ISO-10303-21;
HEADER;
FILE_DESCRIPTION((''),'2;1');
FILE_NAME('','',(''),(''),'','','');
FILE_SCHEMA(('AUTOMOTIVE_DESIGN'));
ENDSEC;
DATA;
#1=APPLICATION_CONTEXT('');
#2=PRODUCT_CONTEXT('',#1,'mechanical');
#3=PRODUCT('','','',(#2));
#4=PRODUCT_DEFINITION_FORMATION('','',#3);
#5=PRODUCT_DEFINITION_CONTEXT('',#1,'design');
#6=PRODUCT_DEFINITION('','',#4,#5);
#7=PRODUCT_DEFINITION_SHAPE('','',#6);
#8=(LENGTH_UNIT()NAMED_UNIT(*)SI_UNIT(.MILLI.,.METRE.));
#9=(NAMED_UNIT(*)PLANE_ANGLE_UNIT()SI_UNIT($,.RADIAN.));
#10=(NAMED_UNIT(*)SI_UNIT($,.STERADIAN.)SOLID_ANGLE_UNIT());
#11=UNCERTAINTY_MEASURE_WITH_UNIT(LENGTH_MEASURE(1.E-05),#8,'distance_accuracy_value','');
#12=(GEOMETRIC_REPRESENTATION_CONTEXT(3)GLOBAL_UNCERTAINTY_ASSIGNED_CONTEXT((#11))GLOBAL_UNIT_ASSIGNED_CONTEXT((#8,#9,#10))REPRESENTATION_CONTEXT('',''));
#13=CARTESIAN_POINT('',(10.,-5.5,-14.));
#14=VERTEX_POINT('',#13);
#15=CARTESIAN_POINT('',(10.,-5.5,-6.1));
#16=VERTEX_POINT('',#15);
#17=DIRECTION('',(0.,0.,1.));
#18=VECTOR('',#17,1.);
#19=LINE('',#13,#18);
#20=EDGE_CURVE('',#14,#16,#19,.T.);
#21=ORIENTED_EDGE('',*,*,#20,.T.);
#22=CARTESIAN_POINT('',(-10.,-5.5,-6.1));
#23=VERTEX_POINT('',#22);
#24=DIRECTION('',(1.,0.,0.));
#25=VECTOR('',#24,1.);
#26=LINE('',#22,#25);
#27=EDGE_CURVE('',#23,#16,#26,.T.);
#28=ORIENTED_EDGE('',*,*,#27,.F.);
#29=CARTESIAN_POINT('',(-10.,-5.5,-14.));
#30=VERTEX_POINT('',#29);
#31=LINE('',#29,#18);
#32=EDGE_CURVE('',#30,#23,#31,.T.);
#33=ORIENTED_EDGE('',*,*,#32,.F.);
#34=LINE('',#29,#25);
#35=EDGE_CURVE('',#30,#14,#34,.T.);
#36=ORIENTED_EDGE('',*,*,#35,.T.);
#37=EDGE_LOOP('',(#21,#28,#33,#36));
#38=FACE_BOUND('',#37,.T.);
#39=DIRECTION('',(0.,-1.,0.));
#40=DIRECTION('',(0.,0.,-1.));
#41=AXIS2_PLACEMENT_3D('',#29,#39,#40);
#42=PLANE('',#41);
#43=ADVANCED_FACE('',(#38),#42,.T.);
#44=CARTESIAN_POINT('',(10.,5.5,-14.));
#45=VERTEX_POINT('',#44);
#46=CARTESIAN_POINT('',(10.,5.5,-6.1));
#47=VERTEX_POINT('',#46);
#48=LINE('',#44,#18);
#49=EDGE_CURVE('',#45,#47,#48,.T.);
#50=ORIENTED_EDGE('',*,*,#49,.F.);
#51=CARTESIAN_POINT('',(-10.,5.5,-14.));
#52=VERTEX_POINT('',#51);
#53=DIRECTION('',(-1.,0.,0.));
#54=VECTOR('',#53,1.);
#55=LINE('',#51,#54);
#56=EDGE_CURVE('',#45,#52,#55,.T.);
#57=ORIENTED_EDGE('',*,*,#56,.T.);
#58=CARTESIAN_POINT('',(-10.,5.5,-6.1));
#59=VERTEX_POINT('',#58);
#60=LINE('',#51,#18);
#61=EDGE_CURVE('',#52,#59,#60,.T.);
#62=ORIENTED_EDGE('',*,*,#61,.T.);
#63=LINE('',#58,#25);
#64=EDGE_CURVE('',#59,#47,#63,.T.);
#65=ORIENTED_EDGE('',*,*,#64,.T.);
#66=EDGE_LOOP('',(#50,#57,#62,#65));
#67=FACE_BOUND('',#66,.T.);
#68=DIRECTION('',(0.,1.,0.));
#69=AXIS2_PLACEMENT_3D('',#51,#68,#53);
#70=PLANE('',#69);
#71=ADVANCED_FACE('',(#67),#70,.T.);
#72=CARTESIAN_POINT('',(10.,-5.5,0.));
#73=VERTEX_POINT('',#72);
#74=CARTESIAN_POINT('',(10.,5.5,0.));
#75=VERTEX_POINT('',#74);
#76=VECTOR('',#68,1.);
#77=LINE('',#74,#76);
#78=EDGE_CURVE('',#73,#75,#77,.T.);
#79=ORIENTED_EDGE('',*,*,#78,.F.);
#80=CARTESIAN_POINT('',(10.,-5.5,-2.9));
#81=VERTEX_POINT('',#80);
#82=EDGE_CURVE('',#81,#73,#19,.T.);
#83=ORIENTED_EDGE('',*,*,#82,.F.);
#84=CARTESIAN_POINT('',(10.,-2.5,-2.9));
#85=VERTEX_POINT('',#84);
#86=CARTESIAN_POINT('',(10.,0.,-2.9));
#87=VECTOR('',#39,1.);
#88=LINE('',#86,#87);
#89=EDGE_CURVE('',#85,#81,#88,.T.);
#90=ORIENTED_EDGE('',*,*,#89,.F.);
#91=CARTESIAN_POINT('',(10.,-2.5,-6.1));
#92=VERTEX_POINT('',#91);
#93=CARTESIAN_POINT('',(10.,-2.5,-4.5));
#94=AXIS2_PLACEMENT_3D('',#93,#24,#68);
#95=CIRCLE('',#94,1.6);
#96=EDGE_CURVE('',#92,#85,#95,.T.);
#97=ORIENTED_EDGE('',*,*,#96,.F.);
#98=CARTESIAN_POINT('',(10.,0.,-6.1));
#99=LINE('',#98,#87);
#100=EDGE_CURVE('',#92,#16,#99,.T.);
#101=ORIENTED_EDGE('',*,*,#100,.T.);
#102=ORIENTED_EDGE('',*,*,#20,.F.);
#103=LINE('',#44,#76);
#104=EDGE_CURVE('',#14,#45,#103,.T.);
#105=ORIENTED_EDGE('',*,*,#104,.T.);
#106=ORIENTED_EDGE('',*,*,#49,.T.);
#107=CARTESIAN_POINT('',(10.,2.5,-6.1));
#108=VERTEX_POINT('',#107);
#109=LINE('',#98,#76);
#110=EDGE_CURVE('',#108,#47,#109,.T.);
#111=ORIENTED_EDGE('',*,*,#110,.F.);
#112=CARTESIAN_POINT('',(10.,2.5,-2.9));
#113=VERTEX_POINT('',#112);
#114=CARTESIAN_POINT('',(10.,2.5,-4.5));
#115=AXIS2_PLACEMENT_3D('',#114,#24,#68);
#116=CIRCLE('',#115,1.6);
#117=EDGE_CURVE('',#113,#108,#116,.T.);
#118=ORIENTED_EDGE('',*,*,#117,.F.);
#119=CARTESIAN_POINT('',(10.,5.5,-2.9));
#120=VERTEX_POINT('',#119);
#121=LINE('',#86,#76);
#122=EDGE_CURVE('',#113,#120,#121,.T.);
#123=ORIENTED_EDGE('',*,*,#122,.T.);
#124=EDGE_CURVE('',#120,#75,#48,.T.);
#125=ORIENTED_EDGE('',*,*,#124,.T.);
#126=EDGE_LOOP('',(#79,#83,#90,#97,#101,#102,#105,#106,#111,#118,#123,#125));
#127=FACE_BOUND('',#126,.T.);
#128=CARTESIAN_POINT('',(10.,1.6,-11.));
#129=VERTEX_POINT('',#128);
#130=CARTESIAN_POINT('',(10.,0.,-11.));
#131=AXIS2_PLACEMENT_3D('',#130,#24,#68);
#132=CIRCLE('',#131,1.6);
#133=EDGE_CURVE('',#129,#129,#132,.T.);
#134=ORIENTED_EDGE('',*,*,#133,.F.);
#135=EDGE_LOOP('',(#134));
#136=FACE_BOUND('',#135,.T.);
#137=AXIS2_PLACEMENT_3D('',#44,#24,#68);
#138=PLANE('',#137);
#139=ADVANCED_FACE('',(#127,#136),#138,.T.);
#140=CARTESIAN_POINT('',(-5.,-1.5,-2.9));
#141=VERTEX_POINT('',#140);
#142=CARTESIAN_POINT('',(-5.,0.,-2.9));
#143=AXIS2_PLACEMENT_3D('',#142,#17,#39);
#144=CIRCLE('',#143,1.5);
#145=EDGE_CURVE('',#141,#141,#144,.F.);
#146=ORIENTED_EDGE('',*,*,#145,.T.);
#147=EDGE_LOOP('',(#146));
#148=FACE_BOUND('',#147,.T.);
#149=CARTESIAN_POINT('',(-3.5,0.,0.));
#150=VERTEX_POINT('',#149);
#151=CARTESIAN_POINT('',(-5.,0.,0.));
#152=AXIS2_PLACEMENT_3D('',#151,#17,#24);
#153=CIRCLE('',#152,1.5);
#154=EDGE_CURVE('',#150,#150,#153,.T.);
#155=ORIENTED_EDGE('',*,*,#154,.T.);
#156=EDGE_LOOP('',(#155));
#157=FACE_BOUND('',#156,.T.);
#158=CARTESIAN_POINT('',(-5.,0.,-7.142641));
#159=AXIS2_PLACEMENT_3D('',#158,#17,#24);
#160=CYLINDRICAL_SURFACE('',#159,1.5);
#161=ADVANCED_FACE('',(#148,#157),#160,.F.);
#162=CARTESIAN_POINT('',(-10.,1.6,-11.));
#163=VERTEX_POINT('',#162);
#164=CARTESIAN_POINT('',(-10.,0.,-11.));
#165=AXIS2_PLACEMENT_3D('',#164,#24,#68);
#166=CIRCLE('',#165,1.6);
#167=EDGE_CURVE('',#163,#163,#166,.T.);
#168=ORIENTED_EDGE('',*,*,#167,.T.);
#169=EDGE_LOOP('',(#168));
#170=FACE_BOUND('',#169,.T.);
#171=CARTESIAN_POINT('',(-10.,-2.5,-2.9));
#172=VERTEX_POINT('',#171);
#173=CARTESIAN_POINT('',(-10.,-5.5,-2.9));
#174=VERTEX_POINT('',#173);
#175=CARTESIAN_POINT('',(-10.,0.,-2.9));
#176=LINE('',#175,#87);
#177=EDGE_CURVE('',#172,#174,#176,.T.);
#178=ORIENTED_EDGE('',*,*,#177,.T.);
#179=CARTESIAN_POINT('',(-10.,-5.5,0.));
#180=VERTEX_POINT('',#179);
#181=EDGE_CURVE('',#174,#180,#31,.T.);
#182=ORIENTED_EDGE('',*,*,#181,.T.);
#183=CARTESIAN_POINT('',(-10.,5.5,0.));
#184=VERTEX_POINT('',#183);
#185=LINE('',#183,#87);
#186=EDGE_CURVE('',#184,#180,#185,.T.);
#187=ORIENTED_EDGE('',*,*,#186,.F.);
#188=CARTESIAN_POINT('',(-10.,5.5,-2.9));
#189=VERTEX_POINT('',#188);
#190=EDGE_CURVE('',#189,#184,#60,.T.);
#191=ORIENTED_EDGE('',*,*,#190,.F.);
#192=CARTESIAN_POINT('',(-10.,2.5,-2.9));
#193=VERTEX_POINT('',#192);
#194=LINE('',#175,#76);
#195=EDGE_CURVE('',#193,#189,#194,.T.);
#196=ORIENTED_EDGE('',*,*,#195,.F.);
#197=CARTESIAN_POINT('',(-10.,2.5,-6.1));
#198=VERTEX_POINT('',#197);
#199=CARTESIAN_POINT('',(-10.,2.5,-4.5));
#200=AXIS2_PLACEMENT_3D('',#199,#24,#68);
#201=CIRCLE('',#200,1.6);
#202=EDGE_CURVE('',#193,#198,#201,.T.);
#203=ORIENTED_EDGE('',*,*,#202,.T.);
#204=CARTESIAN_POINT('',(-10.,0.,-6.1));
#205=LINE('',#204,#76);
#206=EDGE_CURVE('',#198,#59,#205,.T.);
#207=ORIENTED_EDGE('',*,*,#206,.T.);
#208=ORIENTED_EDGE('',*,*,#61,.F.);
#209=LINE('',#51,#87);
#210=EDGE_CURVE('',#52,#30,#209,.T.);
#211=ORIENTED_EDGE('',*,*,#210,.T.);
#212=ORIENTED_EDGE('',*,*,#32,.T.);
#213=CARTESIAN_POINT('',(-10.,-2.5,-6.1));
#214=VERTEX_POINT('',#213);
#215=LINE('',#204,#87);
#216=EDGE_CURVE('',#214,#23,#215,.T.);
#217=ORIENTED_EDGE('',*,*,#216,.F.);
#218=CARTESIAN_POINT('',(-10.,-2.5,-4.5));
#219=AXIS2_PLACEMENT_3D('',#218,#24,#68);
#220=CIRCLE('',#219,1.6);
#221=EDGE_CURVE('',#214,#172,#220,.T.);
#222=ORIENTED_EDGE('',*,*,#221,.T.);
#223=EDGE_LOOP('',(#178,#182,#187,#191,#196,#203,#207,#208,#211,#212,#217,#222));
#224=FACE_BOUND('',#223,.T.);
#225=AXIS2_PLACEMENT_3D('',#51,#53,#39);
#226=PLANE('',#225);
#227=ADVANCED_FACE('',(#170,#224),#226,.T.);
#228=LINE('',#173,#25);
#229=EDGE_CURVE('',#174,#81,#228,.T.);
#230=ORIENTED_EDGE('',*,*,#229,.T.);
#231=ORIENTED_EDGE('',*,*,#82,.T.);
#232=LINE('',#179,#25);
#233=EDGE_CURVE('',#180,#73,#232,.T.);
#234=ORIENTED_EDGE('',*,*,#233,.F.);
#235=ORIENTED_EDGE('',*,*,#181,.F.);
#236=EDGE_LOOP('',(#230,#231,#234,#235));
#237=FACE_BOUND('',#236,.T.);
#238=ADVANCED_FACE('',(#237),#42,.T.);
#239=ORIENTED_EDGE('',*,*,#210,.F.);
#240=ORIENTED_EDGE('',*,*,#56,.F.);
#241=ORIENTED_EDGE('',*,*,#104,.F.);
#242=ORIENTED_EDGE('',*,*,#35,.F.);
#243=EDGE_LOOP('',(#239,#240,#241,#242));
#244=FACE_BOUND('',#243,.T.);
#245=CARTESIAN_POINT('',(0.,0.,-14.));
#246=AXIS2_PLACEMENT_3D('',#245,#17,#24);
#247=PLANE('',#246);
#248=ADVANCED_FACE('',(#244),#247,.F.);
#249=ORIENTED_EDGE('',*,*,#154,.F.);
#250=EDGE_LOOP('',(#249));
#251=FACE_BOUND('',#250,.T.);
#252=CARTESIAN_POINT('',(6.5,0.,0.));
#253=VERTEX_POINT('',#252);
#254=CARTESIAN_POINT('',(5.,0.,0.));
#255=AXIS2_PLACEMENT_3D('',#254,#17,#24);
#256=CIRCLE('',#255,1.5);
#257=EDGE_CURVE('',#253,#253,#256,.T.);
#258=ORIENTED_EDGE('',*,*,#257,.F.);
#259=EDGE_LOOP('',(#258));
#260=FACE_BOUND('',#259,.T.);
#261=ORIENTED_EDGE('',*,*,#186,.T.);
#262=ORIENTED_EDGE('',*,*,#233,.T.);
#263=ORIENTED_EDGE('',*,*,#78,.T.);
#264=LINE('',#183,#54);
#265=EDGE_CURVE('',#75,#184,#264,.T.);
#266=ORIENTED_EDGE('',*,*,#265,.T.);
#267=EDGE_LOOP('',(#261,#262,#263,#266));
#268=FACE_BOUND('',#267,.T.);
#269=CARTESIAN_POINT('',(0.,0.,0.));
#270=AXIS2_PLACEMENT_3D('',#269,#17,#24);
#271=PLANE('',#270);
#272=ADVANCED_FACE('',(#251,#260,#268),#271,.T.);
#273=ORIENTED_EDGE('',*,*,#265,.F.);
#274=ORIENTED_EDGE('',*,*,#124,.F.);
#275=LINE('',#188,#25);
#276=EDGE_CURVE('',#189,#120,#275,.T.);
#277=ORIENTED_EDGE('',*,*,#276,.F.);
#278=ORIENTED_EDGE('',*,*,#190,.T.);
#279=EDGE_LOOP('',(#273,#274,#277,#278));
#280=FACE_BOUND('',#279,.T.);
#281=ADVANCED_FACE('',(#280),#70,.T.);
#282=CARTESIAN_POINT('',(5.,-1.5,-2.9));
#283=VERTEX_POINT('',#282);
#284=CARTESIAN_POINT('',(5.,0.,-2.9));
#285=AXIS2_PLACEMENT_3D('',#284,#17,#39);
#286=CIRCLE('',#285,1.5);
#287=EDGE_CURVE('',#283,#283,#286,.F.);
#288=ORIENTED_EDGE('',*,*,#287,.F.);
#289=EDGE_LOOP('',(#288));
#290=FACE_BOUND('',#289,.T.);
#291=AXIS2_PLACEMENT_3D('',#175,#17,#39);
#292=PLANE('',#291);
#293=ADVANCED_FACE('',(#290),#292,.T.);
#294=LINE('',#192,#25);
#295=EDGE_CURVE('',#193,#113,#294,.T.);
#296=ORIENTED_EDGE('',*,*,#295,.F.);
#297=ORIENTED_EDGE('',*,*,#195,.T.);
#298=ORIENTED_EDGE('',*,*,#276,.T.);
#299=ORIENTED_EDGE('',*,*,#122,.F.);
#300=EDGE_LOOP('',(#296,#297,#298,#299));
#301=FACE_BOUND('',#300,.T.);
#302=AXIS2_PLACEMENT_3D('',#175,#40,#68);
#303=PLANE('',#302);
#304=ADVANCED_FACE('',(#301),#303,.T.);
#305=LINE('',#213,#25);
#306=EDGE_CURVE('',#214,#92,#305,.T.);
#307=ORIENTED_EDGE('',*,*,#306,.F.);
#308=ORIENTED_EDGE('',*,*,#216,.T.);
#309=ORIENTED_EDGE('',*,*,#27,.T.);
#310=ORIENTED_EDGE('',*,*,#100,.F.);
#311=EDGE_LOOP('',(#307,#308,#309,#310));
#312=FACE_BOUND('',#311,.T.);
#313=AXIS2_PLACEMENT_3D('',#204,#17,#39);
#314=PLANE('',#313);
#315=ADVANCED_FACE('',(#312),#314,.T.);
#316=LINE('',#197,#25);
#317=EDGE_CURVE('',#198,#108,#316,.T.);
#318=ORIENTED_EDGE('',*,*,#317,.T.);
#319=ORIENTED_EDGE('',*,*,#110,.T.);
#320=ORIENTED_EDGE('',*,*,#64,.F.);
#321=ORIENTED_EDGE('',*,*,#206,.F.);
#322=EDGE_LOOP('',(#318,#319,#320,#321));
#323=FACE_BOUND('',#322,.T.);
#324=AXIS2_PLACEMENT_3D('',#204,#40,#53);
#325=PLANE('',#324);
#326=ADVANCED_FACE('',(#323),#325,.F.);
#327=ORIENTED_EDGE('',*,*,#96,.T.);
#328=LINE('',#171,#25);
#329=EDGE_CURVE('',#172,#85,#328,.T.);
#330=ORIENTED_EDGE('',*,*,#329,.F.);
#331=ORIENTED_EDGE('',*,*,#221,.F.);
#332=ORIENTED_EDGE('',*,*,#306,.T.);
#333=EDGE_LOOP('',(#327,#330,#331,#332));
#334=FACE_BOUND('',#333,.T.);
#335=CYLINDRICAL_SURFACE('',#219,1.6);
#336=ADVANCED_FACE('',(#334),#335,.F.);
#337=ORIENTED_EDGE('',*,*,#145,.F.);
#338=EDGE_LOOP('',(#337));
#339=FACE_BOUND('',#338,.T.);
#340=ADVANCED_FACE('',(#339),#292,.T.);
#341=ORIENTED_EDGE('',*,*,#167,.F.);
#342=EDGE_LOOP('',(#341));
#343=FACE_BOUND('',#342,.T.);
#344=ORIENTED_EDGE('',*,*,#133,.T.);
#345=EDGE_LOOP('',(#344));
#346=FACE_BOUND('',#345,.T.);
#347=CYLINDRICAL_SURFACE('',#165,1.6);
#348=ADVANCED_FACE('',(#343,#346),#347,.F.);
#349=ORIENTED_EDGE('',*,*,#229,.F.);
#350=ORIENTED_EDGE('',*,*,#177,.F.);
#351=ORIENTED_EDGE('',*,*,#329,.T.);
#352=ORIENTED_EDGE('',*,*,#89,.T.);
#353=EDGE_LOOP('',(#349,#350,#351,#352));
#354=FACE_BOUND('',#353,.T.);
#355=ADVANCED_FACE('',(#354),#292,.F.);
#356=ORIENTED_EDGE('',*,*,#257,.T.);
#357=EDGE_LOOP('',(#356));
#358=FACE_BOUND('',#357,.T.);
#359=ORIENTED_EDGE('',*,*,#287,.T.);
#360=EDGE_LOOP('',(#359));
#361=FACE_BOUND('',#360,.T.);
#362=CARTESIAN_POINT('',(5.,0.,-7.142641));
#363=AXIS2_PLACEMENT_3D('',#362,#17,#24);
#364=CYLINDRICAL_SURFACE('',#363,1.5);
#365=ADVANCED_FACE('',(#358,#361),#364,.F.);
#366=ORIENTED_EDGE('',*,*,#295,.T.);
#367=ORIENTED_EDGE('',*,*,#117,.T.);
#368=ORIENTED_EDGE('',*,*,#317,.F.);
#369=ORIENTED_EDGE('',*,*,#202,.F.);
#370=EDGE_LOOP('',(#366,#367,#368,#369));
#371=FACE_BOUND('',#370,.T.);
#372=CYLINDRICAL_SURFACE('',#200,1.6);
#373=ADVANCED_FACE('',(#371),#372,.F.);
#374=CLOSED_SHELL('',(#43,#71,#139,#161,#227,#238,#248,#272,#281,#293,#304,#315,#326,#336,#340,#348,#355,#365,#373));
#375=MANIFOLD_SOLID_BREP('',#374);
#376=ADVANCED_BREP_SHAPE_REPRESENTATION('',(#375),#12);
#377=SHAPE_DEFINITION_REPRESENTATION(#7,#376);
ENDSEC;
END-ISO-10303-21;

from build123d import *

# Parameters (mm, degrees)
SKETCH_2_W          = 20
SKETCH_2_H          = 11
EXTRUDE_1_DEPTH     = 14
SKETCH_4_R          = 1.6
CUT_EXTRUDE_1_DEPTH = 21
SKETCH_5_R          = 1.5
CUT_EXTRUDE_2_DEPTH = 2.9


with BuildPart() as part:
    # 草图2 → 凸台-拉伸1 (new body)
    with BuildSketch(Plane.XY):
        Rectangle(SKETCH_2_W, SKETCH_2_H)
    extrude(amount=-EXTRUDE_1_DEPTH)

    # 草图4 → 切除-拉伸1 (cut, through all)
    with BuildSketch(Plane(origin=(10, 0, 0), x_dir=(0, 0, -1), z_dir=(1, 0, 0))):
        with BuildLine():
            ThreePointArc((6.1, -2.5), (4.5, -0.9), (2.9, -2.5))
            Line((2.9, -2.5), (2.9, -5.5))
            Line((2.9, -5.5), (6.1, -5.5))
            Line((6.1, -5.5), (6.1, -2.5))
        make_face()
        with BuildLine():
            Line((2.9, 5.5), (2.9, 2.5))
            ThreePointArc((2.9, 2.5), (4.5, 0.9), (6.1, 2.5))
            Line((6.1, 2.5), (6.1, 5.5))
            Line((6.1, 5.5), (2.9, 5.5))
        make_face()
        with Locations((11, 0)):
            Circle(SKETCH_4_R)
    extrude(amount=-CUT_EXTRUDE_1_DEPTH, mode=Mode.SUBTRACT)

    # 草图5 → 切除-拉伸2 (cut)
    with BuildSketch(Plane.XY):
        with Locations((-5, 0)):
            Circle(SKETCH_5_R)
        with Locations((5, 0)):
            Circle(SKETCH_5_R)
    extrude(amount=-CUT_EXTRUDE_2_DEPTH, mode=Mode.SUBTRACT)


solid = part.part
